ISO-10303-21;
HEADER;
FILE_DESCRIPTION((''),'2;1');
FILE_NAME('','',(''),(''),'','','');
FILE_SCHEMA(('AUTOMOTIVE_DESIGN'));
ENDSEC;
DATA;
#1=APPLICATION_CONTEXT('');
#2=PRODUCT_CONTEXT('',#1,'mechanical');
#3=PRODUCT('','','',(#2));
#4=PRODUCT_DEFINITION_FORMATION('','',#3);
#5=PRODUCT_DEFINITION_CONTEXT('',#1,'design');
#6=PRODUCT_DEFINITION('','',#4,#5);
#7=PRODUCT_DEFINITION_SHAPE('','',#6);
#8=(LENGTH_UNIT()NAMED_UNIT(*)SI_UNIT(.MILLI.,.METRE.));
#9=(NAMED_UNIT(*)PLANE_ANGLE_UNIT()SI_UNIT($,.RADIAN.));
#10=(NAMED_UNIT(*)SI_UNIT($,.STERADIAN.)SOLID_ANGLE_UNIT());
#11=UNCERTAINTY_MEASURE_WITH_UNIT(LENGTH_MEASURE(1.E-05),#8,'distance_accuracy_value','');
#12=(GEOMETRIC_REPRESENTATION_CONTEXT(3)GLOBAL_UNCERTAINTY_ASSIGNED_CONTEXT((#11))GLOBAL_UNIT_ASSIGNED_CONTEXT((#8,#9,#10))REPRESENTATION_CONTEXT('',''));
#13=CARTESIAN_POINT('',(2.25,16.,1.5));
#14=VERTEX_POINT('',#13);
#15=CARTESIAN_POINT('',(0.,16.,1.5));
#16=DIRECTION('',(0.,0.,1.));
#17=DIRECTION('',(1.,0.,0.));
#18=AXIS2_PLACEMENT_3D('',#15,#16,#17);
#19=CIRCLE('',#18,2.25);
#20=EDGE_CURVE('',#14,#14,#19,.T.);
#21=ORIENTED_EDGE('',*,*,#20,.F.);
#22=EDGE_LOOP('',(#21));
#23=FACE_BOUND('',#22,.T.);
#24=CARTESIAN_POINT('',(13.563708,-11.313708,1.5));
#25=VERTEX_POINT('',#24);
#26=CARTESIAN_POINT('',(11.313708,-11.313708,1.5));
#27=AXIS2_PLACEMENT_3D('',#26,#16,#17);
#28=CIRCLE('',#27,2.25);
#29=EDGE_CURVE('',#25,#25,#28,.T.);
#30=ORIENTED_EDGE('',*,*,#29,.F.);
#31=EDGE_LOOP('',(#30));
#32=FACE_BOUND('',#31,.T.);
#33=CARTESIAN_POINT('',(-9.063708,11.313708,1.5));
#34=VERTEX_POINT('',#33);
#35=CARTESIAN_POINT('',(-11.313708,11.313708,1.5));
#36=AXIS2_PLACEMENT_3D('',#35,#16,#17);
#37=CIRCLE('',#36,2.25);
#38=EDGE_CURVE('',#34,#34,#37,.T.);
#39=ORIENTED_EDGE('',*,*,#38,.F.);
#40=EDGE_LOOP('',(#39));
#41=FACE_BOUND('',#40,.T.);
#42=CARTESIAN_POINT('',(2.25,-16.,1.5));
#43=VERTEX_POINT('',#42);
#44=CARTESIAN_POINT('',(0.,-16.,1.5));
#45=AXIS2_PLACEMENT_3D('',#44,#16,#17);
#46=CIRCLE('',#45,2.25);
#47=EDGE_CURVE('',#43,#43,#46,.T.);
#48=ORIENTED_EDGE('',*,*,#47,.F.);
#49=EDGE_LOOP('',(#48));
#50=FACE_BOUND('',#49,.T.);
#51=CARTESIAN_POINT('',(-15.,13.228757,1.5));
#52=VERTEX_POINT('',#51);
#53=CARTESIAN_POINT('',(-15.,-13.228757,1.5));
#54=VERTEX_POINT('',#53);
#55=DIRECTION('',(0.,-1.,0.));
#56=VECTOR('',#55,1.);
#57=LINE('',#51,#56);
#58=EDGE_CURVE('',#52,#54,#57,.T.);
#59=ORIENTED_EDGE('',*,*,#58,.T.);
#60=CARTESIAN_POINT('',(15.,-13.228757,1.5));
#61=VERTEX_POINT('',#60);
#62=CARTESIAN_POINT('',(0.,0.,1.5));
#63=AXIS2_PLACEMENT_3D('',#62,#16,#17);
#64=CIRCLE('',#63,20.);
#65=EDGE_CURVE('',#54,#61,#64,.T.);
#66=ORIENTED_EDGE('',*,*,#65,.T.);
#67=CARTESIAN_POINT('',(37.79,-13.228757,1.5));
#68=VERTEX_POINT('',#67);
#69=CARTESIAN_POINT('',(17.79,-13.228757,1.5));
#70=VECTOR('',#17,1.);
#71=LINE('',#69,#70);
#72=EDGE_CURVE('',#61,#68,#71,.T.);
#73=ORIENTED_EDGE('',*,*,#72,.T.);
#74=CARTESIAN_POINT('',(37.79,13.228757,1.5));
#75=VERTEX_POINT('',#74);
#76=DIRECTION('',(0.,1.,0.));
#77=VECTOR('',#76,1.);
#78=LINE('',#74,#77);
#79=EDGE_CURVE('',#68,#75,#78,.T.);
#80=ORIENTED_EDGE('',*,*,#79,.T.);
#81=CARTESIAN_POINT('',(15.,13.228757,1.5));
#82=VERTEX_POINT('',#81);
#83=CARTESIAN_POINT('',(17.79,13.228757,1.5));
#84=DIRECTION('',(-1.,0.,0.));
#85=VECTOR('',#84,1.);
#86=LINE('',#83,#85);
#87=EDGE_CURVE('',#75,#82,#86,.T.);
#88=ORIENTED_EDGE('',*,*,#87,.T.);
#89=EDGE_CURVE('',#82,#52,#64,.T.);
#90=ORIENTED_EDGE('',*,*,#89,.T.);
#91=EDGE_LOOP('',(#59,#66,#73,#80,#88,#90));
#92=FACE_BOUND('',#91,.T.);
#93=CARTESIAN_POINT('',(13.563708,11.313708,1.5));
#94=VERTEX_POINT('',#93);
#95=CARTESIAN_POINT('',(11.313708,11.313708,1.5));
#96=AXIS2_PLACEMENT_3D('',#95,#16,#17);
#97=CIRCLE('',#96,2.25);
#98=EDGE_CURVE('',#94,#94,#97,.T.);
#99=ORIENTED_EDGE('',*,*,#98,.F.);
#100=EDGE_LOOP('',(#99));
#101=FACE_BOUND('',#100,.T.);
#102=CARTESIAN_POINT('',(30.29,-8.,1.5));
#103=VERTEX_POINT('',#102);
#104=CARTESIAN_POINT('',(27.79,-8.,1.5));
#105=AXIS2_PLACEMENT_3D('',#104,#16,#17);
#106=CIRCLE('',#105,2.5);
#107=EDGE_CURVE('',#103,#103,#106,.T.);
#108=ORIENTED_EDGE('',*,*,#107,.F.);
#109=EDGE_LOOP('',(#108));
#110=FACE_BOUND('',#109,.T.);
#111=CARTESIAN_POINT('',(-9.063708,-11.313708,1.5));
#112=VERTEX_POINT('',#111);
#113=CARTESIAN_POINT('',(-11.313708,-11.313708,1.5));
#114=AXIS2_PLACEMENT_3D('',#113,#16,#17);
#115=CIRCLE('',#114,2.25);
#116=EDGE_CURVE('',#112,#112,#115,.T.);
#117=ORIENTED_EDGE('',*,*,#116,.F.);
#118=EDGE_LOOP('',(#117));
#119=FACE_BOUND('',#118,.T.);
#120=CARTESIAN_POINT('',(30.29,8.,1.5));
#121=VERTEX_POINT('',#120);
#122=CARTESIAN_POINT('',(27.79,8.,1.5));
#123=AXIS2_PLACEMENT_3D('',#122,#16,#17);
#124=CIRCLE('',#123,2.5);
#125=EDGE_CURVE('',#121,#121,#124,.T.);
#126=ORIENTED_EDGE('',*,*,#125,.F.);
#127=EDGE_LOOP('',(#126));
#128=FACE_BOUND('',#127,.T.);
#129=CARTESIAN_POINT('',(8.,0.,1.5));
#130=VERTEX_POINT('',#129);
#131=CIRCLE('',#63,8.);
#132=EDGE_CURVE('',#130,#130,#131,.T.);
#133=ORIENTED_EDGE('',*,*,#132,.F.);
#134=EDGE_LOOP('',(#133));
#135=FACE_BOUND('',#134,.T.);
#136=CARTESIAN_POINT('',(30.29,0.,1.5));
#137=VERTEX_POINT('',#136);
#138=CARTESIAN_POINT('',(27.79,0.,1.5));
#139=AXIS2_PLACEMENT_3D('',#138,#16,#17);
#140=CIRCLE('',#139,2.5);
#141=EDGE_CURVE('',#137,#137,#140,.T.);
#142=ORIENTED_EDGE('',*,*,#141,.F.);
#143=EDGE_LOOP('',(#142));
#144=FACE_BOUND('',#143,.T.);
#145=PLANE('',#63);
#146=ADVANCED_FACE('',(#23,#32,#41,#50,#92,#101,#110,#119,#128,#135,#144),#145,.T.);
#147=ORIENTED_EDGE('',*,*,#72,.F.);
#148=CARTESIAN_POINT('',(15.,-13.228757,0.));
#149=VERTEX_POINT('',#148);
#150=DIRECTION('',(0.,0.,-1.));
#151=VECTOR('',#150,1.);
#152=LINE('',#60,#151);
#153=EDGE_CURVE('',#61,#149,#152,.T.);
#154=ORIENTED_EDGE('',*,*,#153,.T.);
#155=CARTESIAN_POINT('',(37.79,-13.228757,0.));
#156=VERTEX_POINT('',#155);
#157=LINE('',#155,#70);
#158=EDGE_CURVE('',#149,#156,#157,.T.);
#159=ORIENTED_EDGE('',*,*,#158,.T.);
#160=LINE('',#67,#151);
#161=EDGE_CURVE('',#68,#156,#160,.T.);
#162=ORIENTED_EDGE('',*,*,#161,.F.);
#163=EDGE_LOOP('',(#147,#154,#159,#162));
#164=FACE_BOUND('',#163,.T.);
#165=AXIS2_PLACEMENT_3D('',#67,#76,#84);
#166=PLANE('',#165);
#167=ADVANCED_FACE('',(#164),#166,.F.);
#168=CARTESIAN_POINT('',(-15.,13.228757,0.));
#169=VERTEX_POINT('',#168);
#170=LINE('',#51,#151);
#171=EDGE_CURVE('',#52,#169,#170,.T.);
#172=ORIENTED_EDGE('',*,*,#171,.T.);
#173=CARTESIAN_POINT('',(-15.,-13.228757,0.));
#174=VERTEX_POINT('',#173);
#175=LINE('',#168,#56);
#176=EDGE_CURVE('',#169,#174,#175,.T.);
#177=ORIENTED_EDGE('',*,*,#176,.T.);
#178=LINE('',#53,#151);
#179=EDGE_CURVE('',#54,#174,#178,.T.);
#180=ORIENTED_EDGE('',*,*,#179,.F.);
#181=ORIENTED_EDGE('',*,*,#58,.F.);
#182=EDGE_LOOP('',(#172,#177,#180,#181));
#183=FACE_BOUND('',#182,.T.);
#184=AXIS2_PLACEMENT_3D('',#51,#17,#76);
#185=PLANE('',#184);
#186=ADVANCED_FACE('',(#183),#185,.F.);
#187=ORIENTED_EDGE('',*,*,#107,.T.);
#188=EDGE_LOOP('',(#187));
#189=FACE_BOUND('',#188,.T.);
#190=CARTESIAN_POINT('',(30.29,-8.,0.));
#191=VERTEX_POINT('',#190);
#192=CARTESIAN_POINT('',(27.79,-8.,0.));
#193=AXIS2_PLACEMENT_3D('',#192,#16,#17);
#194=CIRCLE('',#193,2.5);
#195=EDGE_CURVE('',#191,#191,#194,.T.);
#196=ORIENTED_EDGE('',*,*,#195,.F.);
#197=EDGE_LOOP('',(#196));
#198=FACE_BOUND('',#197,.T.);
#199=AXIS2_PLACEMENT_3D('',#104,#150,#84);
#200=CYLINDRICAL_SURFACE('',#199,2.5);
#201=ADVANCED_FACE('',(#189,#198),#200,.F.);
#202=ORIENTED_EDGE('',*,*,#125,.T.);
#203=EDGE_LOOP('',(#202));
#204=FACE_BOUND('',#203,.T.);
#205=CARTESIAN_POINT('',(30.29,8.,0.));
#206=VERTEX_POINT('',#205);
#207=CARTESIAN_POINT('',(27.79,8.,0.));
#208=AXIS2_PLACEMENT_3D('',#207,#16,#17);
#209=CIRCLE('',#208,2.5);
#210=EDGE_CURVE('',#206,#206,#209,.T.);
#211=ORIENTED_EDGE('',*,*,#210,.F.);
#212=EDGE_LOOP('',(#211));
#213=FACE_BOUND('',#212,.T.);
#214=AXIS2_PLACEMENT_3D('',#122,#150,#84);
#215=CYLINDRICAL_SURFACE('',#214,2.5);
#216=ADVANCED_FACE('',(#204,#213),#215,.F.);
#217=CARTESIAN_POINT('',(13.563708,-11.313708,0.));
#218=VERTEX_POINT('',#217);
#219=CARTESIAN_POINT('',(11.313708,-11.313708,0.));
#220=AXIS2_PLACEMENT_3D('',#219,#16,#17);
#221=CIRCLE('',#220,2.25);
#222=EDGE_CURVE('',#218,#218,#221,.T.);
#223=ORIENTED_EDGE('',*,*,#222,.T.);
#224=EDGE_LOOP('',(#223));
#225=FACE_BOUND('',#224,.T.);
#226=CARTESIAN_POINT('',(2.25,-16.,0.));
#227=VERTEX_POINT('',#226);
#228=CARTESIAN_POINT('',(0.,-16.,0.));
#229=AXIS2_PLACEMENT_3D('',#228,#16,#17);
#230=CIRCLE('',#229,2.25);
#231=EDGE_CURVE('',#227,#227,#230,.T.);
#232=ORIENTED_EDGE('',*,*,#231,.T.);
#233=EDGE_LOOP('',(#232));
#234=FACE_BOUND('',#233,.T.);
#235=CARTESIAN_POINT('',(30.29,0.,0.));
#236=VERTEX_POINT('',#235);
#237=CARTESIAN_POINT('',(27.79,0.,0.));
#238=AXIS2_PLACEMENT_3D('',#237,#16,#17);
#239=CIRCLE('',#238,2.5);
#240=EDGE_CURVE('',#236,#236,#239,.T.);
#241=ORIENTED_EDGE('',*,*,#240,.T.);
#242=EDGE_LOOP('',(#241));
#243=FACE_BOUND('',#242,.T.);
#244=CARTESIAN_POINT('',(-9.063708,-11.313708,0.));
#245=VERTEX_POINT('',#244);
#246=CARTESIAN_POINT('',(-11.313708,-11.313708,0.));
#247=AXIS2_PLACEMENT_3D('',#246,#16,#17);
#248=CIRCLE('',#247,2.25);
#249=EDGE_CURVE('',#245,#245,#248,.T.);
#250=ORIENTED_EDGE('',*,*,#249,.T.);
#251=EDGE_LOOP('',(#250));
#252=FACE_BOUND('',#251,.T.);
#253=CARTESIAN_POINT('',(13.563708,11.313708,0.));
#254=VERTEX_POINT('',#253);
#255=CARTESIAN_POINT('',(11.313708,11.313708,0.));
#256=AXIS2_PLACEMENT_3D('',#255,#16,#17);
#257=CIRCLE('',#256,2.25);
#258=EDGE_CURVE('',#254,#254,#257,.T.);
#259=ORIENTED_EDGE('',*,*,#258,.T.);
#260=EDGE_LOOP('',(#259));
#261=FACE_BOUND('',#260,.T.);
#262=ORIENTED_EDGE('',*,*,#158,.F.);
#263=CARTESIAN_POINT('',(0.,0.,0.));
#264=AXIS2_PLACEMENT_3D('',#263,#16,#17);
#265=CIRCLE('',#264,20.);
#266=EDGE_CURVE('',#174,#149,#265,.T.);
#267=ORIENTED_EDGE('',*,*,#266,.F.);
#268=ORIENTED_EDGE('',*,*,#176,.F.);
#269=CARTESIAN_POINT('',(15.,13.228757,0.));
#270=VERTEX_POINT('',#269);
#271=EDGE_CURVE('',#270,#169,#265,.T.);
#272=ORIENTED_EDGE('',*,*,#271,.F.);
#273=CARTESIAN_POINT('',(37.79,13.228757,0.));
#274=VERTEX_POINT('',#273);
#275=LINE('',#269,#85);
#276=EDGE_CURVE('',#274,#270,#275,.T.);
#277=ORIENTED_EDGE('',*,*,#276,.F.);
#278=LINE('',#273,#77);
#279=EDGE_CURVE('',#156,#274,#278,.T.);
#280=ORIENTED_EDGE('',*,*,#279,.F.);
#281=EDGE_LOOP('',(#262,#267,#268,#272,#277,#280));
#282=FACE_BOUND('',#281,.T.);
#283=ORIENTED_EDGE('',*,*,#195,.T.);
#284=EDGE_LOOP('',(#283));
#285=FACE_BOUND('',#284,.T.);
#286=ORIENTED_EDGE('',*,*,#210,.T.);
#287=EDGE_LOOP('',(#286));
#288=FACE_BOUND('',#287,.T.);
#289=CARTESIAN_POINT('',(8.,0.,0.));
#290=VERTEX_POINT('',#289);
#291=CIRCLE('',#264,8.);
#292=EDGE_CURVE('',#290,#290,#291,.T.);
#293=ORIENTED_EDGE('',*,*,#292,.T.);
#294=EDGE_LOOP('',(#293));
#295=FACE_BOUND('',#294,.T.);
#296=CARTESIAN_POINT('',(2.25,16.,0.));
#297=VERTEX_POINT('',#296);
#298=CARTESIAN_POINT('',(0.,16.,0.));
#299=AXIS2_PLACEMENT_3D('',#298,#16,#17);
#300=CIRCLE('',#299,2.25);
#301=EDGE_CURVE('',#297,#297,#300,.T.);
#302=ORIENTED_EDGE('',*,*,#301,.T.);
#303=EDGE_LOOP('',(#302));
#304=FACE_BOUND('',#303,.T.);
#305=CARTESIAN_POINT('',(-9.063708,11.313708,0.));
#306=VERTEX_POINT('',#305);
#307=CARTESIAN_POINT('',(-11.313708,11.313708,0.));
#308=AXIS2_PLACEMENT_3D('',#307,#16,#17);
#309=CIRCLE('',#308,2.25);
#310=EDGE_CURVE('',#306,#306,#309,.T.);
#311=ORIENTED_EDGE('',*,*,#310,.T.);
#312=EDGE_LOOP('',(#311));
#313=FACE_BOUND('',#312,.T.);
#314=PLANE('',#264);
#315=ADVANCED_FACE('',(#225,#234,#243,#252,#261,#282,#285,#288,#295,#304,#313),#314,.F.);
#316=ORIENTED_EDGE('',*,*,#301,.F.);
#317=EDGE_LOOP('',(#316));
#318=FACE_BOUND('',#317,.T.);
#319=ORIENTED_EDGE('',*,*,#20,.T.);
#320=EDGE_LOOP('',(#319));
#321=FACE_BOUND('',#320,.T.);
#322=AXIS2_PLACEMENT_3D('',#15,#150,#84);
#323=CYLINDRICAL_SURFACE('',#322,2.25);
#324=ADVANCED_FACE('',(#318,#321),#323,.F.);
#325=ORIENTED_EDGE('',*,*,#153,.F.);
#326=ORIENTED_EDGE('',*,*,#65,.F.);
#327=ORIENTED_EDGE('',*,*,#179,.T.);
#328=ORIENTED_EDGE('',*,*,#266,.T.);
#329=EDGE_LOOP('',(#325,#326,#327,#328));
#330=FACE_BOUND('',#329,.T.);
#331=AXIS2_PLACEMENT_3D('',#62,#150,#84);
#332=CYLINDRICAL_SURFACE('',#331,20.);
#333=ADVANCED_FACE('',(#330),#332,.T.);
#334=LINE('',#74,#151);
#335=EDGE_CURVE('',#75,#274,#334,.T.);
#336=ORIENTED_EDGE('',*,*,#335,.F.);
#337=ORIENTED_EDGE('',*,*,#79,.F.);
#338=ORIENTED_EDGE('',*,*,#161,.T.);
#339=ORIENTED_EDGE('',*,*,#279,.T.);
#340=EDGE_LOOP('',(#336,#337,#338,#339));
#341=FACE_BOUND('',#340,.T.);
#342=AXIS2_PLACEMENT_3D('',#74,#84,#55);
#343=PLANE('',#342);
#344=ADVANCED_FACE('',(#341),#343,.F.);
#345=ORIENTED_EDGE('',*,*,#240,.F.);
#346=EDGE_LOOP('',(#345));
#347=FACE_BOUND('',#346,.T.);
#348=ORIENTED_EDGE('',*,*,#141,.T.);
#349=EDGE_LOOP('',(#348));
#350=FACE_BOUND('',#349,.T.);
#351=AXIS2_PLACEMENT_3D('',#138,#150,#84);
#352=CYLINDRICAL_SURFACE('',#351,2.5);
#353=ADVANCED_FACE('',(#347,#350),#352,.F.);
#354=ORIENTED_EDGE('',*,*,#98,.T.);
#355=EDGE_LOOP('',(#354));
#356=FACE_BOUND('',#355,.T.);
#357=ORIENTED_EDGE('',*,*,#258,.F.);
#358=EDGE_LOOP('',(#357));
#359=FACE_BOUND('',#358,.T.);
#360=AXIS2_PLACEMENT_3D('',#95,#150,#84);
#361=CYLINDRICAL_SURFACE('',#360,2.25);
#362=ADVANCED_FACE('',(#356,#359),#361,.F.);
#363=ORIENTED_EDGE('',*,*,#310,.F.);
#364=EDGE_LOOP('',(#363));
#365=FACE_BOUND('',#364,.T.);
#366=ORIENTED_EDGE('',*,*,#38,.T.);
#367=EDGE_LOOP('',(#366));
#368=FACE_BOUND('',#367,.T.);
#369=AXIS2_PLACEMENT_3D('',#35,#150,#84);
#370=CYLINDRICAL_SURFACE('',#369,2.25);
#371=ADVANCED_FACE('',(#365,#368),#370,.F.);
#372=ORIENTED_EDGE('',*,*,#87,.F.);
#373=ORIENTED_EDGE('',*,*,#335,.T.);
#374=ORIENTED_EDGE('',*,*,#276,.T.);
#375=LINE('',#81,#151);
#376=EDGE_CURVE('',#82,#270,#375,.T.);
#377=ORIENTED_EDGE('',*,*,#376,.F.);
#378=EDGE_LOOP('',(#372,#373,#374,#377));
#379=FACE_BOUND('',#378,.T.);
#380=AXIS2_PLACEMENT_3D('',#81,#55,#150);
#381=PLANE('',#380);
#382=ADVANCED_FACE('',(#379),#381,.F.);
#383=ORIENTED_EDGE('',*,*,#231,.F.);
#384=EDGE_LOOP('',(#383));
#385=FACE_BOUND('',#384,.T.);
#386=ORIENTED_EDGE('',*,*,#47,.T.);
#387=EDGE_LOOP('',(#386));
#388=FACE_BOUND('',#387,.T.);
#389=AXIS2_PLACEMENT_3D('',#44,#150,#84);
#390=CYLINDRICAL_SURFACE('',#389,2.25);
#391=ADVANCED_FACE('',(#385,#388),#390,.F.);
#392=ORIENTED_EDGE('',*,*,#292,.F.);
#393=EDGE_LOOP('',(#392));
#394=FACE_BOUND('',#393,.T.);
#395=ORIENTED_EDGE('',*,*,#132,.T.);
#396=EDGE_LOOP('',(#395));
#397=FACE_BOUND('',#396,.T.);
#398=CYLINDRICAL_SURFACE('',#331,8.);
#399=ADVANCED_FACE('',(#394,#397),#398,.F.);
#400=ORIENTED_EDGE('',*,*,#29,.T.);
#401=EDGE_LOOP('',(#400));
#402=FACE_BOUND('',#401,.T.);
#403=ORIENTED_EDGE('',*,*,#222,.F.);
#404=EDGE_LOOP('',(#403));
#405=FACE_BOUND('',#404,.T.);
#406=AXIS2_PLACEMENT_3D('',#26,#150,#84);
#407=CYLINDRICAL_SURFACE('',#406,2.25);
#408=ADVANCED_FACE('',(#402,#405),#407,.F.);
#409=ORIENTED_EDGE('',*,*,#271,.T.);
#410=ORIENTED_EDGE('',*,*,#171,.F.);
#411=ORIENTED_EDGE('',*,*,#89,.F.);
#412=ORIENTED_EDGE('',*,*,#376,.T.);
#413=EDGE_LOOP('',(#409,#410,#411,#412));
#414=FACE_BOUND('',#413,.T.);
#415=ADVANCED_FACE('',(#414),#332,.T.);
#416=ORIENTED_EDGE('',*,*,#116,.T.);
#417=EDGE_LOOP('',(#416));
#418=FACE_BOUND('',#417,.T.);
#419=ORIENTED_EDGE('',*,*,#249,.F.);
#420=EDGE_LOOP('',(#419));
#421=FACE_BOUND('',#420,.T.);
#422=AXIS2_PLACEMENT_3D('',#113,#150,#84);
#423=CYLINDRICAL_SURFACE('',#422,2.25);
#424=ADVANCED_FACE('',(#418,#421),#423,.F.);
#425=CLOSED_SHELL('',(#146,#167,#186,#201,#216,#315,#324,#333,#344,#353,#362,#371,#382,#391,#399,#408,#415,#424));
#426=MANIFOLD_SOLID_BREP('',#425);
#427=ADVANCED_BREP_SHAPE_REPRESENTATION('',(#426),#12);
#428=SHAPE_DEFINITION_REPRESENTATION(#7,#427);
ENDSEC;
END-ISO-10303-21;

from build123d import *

# Parameters (mm, degrees)
SKETCH1_R           = 2.25
SKETCH1_R_2         = 8
SKETCH1_R_3         = 2.5
BOSS_EXTRUDE1_DEPTH = 1.5


with BuildPart() as part:
    # Sketch1 → Boss-Extrude1 (new body)
    with BuildSketch(Plane.XY):
        with BuildLine():
            Line((15, 13.228756555), (17.79, 13.228756555))
            Line((17.79, 13.228756555), (37.79, 13.228756555))
            Line((37.79, 13.228756555), (37.79, -13.228756555))
            Line((37.79, -13.228756555), (17.79, -13.228756555))
            Line((17.79, -13.228756555), (15, -13.228756555))
            ThreePointArc((15, -13.228756555), (0, -20), (-15, -13.228756555))
            Line((-15, -13.228756555), (-15, 13.228756555))
            ThreePointArc((-15, 13.228756555), (0, 20), (15, 13.228756555))
        make_face()
        with Locations((-11.313708499, 11.313708499)):
            Circle(SKETCH1_R, mode=Mode.SUBTRACT)
        with Locations((0, 16)):
            Circle(SKETCH1_R, mode=Mode.SUBTRACT)
        with Locations((11.313708499, 11.313708499)):
            Circle(SKETCH1_R, mode=Mode.SUBTRACT)
        with Locations((-11.313708499, -11.313708499)):
            Circle(SKETCH1_R, mode=Mode.SUBTRACT)
        with Locations((0, -16)):
            Circle(SKETCH1_R, mode=Mode.SUBTRACT)
        Circle(SKETCH1_R_2, mode=Mode.SUBTRACT)
        with Locations((11.313708499, -11.313708499)):
            Circle(SKETCH1_R, mode=Mode.SUBTRACT)
        with Locations((27.79, 0)):
            Circle(SKETCH1_R_3, mode=Mode.SUBTRACT)
        with Locations((27.79, 8)):
            Circle(SKETCH1_R_3, mode=Mode.SUBTRACT)
        with Locations((27.79, -8)):
            Circle(SKETCH1_R_3, mode=Mode.SUBTRACT)
    extrude(amount=BOSS_EXTRUDE1_DEPTH)


solid = part.part
